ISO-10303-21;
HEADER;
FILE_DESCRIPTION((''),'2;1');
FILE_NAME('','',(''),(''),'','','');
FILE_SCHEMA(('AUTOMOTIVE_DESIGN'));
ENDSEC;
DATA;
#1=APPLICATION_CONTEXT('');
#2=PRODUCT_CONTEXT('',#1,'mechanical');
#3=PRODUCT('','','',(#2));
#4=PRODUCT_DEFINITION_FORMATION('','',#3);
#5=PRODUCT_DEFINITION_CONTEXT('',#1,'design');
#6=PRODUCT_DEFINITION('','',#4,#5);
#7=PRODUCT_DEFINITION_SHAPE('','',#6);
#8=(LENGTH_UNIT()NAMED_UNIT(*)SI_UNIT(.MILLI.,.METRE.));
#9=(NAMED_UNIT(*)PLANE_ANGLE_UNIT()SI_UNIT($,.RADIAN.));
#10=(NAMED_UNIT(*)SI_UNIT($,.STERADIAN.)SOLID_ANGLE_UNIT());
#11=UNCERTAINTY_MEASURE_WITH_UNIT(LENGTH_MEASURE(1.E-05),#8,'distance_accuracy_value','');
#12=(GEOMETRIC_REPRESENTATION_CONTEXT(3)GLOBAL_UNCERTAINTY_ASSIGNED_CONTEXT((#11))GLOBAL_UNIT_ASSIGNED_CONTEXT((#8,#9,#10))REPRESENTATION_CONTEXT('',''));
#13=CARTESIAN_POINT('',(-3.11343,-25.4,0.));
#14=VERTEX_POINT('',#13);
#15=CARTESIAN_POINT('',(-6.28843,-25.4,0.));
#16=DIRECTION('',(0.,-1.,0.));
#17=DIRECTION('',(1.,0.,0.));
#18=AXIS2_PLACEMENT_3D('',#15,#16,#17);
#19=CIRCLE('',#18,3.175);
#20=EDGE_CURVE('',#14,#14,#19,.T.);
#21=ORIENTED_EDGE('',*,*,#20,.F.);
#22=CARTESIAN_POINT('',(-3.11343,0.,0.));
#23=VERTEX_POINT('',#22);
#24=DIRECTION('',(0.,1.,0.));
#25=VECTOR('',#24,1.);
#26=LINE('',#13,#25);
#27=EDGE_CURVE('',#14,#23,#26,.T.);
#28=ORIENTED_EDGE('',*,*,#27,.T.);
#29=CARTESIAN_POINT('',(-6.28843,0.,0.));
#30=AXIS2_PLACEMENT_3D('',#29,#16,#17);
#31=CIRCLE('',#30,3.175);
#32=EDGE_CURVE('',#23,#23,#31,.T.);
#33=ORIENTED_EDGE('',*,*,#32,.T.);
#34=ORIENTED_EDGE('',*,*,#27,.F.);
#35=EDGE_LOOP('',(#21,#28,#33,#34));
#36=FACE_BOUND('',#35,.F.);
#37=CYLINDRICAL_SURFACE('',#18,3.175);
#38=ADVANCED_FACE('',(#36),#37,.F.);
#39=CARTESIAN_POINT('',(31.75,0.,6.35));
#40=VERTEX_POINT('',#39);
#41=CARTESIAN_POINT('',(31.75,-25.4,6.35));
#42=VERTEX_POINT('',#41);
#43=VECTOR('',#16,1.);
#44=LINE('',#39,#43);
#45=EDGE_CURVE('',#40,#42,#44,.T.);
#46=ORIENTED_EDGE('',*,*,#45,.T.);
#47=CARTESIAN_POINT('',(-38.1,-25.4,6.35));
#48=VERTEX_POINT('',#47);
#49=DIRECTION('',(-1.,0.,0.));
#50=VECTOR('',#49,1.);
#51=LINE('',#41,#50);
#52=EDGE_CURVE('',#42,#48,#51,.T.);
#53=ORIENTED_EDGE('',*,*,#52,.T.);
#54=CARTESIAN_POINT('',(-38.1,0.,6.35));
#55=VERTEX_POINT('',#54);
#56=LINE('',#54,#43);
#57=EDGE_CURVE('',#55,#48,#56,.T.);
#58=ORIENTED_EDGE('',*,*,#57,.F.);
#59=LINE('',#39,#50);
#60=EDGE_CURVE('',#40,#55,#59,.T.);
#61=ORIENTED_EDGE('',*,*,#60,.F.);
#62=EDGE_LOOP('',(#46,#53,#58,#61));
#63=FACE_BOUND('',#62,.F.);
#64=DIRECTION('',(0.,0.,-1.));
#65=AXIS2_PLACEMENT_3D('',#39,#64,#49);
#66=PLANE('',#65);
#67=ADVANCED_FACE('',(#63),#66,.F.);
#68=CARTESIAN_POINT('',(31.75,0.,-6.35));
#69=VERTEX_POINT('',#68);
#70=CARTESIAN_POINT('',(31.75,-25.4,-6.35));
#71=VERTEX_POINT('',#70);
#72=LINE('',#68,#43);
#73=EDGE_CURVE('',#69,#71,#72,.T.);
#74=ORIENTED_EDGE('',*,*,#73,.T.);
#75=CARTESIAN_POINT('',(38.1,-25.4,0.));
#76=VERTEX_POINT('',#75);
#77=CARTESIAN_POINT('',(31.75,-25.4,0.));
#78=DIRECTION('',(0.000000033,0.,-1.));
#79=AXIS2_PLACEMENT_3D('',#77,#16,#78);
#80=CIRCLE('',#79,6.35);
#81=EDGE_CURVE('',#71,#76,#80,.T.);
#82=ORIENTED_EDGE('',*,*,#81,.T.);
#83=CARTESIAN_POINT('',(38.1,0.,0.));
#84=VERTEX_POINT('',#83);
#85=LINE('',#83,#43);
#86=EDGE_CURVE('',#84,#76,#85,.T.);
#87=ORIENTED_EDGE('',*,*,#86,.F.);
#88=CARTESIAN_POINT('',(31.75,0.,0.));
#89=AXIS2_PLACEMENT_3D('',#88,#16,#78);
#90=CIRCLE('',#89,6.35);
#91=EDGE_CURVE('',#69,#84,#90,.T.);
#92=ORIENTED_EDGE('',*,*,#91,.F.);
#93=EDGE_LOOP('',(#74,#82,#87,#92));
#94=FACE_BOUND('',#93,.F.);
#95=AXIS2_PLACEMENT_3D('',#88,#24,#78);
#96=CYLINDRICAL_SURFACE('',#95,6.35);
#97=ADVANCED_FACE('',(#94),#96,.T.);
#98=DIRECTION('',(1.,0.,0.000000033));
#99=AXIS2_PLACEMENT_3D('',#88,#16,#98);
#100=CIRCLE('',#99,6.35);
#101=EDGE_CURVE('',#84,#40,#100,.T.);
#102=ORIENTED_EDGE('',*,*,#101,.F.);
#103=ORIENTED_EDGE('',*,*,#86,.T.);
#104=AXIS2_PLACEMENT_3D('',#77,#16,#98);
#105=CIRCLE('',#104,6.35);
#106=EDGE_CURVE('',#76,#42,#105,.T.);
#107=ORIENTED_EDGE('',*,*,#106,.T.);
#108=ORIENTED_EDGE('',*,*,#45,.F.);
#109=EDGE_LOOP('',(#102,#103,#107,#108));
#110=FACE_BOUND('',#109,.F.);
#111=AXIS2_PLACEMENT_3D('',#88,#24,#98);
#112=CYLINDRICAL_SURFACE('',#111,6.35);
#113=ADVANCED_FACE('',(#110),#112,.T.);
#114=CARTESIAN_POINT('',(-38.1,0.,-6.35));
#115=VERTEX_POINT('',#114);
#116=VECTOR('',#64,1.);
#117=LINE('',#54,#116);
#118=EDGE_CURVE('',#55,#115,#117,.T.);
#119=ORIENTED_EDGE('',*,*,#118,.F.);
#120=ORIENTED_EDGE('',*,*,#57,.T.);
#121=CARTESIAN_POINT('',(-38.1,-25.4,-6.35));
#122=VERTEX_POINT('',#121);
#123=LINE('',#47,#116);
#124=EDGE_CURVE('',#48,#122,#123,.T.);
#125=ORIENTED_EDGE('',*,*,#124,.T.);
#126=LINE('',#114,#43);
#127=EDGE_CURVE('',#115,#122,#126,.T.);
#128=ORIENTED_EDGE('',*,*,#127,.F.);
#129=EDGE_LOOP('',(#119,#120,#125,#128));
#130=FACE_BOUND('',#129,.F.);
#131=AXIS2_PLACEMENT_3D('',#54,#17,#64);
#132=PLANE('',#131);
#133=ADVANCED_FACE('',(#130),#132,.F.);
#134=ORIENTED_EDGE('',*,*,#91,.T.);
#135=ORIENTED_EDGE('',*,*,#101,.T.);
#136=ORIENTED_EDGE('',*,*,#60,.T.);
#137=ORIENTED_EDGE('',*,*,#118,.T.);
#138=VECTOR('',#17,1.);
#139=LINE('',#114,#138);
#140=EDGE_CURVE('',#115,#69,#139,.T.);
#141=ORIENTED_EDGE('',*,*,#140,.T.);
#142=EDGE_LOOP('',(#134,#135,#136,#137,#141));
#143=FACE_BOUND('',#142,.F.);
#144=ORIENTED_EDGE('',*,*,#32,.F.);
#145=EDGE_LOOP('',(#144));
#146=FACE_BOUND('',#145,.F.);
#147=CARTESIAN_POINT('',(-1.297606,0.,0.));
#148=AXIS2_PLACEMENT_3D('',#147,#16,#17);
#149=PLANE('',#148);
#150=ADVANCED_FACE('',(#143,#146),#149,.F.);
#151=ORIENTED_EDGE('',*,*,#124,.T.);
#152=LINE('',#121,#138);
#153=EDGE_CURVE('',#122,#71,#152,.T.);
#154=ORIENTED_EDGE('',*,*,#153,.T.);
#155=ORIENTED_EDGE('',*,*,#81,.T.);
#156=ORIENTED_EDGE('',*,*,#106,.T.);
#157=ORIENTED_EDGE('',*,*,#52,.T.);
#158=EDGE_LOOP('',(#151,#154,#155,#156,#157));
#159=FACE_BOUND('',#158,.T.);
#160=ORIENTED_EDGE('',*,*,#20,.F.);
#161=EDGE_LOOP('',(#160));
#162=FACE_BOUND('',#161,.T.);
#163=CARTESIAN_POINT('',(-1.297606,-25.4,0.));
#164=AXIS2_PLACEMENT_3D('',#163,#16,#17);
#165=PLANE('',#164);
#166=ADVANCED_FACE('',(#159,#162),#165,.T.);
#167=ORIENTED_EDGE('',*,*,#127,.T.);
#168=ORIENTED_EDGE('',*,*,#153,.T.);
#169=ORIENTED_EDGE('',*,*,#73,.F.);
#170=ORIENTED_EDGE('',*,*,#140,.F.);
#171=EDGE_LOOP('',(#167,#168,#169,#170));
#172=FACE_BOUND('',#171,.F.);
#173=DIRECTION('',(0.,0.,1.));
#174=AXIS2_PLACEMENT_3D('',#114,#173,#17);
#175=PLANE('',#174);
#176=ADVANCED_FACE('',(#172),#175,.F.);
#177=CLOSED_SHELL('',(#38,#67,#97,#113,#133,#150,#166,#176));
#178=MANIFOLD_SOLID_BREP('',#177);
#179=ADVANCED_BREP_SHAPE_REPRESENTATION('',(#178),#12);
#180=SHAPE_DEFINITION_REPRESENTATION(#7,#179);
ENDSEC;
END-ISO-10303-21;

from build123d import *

# Parameters (mm, degrees)
F1_DEPTH = 25.4
F2_R     = 3.175
F3_DEPTH = 25.4


with BuildPart() as f1:
    # F0 (on Front) → F1 (new body)
    with BuildSketch(Plane.XZ):
        with BuildLine():
            ThreePointArc((38.1, 0), (36.240128, 4.490128), (31.75, 6.35))
            Line((31.75, 6.35), (-38.1, 6.35))
            Line((-38.1, 6.35), (-38.1, -6.35))
            Line((-38.1, -6.35), (31.75, -6.35))
            ThreePointArc((31.75, -6.35), (36.240128, -4.490128), (38.1, 0))
        make_face()
    extrude(amount=F1_DEPTH)

    # F2 (on face) → F3 (cut)
    with BuildSketch(Plane.XZ.offset(25.4)):
        with Locations((-6.28843, 0)):
            Circle(F2_R)
    extrude(amount=-F3_DEPTH, mode=Mode.SUBTRACT)


solid = f1.part
